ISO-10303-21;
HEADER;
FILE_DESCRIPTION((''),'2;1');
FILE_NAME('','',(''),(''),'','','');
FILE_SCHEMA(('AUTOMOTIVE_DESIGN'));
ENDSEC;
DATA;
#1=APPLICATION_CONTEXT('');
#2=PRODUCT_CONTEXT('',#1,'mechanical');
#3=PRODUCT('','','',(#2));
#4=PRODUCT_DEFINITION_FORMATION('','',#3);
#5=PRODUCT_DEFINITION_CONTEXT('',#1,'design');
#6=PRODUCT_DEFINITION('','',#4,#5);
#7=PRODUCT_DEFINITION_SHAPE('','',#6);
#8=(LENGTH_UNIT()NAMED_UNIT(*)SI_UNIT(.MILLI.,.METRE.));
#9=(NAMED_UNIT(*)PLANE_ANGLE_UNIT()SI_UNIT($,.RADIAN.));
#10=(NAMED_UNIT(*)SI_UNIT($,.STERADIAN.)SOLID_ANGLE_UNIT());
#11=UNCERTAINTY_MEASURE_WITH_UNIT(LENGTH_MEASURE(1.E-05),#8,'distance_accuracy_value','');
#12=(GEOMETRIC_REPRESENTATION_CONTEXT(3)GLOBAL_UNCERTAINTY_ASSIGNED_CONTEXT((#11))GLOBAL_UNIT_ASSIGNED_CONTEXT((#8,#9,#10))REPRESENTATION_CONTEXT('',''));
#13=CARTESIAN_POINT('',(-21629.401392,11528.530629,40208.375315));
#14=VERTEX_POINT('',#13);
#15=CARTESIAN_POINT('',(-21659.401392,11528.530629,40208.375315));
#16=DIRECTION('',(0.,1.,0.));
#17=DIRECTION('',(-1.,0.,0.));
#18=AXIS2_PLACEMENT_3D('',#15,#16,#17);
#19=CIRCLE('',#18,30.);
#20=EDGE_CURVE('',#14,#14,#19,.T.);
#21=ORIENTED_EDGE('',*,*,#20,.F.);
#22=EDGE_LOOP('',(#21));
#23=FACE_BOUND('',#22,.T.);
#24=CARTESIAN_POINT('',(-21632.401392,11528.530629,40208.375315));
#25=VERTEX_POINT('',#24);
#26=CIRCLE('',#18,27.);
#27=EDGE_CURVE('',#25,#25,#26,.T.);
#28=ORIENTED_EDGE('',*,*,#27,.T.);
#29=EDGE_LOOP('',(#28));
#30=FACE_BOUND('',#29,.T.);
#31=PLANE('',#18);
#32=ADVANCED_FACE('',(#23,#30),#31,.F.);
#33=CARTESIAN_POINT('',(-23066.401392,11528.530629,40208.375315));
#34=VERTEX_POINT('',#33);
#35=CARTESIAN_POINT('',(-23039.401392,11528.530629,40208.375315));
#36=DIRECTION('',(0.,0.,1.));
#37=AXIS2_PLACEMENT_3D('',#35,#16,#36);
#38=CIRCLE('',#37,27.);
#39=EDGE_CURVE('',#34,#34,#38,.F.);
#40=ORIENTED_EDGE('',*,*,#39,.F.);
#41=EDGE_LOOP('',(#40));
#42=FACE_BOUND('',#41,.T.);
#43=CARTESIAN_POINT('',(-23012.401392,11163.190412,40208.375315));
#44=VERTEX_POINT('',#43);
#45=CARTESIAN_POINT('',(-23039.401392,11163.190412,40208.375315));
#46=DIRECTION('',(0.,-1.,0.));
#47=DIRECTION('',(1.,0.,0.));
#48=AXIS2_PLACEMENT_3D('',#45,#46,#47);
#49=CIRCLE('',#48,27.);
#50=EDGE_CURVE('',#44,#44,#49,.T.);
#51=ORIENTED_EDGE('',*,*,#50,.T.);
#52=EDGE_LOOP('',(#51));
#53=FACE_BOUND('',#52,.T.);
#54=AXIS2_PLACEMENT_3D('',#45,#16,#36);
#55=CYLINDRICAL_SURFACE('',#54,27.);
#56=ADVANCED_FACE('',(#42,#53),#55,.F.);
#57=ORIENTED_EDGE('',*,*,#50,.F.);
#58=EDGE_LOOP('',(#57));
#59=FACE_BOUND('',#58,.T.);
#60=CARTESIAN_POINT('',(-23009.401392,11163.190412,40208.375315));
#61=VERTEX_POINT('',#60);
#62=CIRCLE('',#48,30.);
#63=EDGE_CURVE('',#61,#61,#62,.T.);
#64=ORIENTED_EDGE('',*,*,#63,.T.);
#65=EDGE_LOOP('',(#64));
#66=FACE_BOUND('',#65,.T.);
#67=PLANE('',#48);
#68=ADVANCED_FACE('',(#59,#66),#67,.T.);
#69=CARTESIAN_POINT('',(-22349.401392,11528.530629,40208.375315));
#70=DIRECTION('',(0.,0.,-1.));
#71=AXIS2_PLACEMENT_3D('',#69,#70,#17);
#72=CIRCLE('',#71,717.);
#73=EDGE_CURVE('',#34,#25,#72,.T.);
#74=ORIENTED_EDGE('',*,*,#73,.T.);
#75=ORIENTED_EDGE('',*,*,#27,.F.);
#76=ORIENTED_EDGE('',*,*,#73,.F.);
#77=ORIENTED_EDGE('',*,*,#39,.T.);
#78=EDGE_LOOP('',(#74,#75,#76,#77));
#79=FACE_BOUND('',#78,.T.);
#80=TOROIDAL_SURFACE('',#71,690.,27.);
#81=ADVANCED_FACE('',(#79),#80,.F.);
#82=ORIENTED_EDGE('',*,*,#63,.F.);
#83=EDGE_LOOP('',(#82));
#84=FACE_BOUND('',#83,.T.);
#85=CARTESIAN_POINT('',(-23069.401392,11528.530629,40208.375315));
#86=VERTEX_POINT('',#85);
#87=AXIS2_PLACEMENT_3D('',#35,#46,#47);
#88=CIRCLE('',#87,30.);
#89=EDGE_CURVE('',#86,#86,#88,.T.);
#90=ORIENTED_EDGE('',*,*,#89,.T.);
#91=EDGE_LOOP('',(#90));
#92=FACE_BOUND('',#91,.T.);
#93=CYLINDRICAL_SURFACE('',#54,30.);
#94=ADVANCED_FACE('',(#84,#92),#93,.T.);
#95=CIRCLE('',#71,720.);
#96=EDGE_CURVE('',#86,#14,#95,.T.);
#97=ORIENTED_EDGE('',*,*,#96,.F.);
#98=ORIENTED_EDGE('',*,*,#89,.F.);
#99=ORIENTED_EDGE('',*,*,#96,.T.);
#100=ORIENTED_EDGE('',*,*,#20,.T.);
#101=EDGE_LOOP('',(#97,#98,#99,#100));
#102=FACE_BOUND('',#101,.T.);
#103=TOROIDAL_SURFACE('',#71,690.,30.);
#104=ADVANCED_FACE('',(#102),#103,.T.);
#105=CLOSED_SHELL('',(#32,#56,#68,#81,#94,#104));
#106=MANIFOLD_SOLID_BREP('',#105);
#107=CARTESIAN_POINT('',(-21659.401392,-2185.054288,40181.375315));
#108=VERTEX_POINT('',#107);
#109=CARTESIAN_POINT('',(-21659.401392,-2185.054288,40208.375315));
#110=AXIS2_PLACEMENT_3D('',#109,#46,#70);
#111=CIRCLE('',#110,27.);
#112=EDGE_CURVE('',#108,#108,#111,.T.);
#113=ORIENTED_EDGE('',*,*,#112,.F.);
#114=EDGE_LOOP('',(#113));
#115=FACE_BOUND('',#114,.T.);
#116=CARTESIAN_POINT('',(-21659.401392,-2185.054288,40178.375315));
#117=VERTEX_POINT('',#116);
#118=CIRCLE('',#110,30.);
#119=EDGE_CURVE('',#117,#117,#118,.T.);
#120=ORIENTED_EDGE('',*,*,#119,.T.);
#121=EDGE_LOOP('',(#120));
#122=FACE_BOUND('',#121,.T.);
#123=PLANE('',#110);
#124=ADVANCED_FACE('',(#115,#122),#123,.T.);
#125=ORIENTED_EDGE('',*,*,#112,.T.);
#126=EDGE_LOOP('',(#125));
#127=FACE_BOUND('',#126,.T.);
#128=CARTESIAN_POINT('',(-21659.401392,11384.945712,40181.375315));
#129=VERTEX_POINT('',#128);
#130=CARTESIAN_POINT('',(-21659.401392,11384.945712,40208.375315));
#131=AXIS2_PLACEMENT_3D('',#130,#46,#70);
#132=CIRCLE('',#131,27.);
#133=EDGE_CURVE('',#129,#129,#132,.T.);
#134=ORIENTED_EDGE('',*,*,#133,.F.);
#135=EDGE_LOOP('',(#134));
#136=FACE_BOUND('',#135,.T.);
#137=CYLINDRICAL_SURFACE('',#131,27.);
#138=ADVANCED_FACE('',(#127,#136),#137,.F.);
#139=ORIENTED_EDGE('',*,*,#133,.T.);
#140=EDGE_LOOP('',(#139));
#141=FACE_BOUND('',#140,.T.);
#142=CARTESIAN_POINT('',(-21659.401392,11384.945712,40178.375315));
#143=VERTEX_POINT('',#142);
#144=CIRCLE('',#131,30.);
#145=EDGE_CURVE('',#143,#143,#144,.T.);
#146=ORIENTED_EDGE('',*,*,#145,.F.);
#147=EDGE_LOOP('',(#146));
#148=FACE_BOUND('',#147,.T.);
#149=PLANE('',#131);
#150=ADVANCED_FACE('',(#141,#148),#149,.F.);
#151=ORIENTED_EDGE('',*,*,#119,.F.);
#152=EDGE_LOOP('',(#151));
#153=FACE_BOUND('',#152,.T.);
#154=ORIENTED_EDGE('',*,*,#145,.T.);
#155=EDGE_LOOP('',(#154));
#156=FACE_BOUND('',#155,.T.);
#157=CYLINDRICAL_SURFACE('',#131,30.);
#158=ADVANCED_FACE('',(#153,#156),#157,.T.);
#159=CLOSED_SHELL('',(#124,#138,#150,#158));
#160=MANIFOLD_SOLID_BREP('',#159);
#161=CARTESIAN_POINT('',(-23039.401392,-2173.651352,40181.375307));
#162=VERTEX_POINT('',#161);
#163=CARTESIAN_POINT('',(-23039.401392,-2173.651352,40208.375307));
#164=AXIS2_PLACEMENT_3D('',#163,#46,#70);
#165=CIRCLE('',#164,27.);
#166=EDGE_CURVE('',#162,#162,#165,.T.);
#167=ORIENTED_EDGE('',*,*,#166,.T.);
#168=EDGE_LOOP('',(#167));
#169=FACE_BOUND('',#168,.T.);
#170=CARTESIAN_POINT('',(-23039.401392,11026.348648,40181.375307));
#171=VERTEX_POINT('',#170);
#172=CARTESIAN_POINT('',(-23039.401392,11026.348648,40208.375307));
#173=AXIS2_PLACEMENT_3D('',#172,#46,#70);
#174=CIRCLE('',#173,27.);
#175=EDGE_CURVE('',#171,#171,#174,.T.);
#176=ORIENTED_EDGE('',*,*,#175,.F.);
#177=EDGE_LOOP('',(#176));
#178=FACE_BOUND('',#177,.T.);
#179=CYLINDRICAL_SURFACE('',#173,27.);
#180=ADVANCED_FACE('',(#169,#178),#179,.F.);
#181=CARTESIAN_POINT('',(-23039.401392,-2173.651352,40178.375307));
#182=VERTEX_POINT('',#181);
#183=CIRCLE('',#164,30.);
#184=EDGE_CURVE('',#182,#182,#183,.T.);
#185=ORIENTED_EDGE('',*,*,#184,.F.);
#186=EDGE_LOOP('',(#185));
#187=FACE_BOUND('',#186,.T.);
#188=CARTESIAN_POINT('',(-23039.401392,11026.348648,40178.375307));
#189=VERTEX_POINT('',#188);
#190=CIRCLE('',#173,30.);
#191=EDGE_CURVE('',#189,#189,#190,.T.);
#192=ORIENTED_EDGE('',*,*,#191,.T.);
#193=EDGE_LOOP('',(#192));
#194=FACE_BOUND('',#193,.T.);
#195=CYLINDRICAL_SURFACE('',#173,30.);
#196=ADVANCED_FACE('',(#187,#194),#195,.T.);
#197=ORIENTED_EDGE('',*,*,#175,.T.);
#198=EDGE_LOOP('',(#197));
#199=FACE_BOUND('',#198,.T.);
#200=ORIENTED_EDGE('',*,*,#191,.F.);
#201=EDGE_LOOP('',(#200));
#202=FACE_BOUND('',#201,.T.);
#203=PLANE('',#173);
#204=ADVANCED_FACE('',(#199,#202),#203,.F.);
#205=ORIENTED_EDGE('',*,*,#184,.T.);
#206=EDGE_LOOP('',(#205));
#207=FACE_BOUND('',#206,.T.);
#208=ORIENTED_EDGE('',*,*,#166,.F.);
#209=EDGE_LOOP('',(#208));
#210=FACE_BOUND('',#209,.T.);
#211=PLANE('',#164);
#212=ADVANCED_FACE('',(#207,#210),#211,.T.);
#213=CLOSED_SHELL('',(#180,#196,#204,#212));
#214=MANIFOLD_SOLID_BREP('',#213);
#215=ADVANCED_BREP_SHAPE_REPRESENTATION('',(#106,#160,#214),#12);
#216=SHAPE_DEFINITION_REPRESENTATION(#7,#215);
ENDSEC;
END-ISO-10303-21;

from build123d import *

# Parameters (mm, degrees)
SWEEP_THIN1_PROFILE_R   = 30
SWEEP_THIN1_PROFILE_R_2 = 27
SWEEP_THIN3_PROFILE_R   = 30
SWEEP_THIN3_PROFILE_R_2 = 27
SWEEP_THIN4_PROFILE_R   = 30
SWEEP_THIN4_PROFILE_R_2 = 27


with BuildPart() as part:
    # Sweep-Thin1: sweep along a curve in space
    with BuildLine() as sweep_thin1_path:
        Line((-23039.401391801, 11528.530628552, 40208.375315098), (-23039.401391801, 11163.190412186, 40208.375315098))
        ThreePointArc((-23039.401391801, 11528.530628552, 40208.375315098), (-22349.401391801, 12218.530628552, 40208.375315098), (-21659.401391801, 11528.530628552, 40208.375315098))
    # Sweep-Thin1 profile (on start of the path) → Sweep-Thin1 (sweep)
    with BuildSketch(Plane(origin=(-21659.401391801, 11528.530628552, 40208.375315098), x_dir=(1, 0, 0), z_dir=(0, 1, 0))):
        Circle(SWEEP_THIN1_PROFILE_R)
        Circle(SWEEP_THIN1_PROFILE_R_2, mode=Mode.SUBTRACT)
    sweep(path=sweep_thin1_path.line)


with BuildPart() as body_2:
    # Sweep-Thin3: sweep along a curve in space
    with BuildLine() as sweep_thin3_path:
        Line((-21659.401391801, 11384.945711664, 40208.375315098), (-21659.401391801, -2185.054288336, 40208.375315098))
    # Sweep-Thin3 profile (on start of the path) → Sweep-Thin3 (sweep)
    with BuildSketch(Plane(origin=(-21659.401391801, 11384.945711664, 40208.375315098), x_dir=(0, 0, -1), z_dir=(0, -1, 0))):
        Circle(SWEEP_THIN3_PROFILE_R)
        Circle(SWEEP_THIN3_PROFILE_R_2, mode=Mode.SUBTRACT)
    sweep(path=sweep_thin3_path.line)


with BuildPart() as body_3:
    # Sweep-Thin4: sweep along a curve in space
    with BuildLine() as sweep_thin4_path:
        Line((-23039.401391872, 11026.348648105, 40208.375307126), (-23039.401391872, -2173.651351895, 40208.375307126))
    # Sweep-Thin4 profile (on start of the path) → Sweep-Thin4 (sweep)
    with BuildSketch(Plane(origin=(-23039.401391872, 11026.348648105, 40208.375307126), x_dir=(0, 0, -1), z_dir=(0, -1, 0))):
        Circle(SWEEP_THIN4_PROFILE_R)
        Circle(SWEEP_THIN4_PROFILE_R_2, mode=Mode.SUBTRACT)
    sweep(path=sweep_thin4_path.line)


solid = Compound([part.part, body_2.part, body_3.part])
